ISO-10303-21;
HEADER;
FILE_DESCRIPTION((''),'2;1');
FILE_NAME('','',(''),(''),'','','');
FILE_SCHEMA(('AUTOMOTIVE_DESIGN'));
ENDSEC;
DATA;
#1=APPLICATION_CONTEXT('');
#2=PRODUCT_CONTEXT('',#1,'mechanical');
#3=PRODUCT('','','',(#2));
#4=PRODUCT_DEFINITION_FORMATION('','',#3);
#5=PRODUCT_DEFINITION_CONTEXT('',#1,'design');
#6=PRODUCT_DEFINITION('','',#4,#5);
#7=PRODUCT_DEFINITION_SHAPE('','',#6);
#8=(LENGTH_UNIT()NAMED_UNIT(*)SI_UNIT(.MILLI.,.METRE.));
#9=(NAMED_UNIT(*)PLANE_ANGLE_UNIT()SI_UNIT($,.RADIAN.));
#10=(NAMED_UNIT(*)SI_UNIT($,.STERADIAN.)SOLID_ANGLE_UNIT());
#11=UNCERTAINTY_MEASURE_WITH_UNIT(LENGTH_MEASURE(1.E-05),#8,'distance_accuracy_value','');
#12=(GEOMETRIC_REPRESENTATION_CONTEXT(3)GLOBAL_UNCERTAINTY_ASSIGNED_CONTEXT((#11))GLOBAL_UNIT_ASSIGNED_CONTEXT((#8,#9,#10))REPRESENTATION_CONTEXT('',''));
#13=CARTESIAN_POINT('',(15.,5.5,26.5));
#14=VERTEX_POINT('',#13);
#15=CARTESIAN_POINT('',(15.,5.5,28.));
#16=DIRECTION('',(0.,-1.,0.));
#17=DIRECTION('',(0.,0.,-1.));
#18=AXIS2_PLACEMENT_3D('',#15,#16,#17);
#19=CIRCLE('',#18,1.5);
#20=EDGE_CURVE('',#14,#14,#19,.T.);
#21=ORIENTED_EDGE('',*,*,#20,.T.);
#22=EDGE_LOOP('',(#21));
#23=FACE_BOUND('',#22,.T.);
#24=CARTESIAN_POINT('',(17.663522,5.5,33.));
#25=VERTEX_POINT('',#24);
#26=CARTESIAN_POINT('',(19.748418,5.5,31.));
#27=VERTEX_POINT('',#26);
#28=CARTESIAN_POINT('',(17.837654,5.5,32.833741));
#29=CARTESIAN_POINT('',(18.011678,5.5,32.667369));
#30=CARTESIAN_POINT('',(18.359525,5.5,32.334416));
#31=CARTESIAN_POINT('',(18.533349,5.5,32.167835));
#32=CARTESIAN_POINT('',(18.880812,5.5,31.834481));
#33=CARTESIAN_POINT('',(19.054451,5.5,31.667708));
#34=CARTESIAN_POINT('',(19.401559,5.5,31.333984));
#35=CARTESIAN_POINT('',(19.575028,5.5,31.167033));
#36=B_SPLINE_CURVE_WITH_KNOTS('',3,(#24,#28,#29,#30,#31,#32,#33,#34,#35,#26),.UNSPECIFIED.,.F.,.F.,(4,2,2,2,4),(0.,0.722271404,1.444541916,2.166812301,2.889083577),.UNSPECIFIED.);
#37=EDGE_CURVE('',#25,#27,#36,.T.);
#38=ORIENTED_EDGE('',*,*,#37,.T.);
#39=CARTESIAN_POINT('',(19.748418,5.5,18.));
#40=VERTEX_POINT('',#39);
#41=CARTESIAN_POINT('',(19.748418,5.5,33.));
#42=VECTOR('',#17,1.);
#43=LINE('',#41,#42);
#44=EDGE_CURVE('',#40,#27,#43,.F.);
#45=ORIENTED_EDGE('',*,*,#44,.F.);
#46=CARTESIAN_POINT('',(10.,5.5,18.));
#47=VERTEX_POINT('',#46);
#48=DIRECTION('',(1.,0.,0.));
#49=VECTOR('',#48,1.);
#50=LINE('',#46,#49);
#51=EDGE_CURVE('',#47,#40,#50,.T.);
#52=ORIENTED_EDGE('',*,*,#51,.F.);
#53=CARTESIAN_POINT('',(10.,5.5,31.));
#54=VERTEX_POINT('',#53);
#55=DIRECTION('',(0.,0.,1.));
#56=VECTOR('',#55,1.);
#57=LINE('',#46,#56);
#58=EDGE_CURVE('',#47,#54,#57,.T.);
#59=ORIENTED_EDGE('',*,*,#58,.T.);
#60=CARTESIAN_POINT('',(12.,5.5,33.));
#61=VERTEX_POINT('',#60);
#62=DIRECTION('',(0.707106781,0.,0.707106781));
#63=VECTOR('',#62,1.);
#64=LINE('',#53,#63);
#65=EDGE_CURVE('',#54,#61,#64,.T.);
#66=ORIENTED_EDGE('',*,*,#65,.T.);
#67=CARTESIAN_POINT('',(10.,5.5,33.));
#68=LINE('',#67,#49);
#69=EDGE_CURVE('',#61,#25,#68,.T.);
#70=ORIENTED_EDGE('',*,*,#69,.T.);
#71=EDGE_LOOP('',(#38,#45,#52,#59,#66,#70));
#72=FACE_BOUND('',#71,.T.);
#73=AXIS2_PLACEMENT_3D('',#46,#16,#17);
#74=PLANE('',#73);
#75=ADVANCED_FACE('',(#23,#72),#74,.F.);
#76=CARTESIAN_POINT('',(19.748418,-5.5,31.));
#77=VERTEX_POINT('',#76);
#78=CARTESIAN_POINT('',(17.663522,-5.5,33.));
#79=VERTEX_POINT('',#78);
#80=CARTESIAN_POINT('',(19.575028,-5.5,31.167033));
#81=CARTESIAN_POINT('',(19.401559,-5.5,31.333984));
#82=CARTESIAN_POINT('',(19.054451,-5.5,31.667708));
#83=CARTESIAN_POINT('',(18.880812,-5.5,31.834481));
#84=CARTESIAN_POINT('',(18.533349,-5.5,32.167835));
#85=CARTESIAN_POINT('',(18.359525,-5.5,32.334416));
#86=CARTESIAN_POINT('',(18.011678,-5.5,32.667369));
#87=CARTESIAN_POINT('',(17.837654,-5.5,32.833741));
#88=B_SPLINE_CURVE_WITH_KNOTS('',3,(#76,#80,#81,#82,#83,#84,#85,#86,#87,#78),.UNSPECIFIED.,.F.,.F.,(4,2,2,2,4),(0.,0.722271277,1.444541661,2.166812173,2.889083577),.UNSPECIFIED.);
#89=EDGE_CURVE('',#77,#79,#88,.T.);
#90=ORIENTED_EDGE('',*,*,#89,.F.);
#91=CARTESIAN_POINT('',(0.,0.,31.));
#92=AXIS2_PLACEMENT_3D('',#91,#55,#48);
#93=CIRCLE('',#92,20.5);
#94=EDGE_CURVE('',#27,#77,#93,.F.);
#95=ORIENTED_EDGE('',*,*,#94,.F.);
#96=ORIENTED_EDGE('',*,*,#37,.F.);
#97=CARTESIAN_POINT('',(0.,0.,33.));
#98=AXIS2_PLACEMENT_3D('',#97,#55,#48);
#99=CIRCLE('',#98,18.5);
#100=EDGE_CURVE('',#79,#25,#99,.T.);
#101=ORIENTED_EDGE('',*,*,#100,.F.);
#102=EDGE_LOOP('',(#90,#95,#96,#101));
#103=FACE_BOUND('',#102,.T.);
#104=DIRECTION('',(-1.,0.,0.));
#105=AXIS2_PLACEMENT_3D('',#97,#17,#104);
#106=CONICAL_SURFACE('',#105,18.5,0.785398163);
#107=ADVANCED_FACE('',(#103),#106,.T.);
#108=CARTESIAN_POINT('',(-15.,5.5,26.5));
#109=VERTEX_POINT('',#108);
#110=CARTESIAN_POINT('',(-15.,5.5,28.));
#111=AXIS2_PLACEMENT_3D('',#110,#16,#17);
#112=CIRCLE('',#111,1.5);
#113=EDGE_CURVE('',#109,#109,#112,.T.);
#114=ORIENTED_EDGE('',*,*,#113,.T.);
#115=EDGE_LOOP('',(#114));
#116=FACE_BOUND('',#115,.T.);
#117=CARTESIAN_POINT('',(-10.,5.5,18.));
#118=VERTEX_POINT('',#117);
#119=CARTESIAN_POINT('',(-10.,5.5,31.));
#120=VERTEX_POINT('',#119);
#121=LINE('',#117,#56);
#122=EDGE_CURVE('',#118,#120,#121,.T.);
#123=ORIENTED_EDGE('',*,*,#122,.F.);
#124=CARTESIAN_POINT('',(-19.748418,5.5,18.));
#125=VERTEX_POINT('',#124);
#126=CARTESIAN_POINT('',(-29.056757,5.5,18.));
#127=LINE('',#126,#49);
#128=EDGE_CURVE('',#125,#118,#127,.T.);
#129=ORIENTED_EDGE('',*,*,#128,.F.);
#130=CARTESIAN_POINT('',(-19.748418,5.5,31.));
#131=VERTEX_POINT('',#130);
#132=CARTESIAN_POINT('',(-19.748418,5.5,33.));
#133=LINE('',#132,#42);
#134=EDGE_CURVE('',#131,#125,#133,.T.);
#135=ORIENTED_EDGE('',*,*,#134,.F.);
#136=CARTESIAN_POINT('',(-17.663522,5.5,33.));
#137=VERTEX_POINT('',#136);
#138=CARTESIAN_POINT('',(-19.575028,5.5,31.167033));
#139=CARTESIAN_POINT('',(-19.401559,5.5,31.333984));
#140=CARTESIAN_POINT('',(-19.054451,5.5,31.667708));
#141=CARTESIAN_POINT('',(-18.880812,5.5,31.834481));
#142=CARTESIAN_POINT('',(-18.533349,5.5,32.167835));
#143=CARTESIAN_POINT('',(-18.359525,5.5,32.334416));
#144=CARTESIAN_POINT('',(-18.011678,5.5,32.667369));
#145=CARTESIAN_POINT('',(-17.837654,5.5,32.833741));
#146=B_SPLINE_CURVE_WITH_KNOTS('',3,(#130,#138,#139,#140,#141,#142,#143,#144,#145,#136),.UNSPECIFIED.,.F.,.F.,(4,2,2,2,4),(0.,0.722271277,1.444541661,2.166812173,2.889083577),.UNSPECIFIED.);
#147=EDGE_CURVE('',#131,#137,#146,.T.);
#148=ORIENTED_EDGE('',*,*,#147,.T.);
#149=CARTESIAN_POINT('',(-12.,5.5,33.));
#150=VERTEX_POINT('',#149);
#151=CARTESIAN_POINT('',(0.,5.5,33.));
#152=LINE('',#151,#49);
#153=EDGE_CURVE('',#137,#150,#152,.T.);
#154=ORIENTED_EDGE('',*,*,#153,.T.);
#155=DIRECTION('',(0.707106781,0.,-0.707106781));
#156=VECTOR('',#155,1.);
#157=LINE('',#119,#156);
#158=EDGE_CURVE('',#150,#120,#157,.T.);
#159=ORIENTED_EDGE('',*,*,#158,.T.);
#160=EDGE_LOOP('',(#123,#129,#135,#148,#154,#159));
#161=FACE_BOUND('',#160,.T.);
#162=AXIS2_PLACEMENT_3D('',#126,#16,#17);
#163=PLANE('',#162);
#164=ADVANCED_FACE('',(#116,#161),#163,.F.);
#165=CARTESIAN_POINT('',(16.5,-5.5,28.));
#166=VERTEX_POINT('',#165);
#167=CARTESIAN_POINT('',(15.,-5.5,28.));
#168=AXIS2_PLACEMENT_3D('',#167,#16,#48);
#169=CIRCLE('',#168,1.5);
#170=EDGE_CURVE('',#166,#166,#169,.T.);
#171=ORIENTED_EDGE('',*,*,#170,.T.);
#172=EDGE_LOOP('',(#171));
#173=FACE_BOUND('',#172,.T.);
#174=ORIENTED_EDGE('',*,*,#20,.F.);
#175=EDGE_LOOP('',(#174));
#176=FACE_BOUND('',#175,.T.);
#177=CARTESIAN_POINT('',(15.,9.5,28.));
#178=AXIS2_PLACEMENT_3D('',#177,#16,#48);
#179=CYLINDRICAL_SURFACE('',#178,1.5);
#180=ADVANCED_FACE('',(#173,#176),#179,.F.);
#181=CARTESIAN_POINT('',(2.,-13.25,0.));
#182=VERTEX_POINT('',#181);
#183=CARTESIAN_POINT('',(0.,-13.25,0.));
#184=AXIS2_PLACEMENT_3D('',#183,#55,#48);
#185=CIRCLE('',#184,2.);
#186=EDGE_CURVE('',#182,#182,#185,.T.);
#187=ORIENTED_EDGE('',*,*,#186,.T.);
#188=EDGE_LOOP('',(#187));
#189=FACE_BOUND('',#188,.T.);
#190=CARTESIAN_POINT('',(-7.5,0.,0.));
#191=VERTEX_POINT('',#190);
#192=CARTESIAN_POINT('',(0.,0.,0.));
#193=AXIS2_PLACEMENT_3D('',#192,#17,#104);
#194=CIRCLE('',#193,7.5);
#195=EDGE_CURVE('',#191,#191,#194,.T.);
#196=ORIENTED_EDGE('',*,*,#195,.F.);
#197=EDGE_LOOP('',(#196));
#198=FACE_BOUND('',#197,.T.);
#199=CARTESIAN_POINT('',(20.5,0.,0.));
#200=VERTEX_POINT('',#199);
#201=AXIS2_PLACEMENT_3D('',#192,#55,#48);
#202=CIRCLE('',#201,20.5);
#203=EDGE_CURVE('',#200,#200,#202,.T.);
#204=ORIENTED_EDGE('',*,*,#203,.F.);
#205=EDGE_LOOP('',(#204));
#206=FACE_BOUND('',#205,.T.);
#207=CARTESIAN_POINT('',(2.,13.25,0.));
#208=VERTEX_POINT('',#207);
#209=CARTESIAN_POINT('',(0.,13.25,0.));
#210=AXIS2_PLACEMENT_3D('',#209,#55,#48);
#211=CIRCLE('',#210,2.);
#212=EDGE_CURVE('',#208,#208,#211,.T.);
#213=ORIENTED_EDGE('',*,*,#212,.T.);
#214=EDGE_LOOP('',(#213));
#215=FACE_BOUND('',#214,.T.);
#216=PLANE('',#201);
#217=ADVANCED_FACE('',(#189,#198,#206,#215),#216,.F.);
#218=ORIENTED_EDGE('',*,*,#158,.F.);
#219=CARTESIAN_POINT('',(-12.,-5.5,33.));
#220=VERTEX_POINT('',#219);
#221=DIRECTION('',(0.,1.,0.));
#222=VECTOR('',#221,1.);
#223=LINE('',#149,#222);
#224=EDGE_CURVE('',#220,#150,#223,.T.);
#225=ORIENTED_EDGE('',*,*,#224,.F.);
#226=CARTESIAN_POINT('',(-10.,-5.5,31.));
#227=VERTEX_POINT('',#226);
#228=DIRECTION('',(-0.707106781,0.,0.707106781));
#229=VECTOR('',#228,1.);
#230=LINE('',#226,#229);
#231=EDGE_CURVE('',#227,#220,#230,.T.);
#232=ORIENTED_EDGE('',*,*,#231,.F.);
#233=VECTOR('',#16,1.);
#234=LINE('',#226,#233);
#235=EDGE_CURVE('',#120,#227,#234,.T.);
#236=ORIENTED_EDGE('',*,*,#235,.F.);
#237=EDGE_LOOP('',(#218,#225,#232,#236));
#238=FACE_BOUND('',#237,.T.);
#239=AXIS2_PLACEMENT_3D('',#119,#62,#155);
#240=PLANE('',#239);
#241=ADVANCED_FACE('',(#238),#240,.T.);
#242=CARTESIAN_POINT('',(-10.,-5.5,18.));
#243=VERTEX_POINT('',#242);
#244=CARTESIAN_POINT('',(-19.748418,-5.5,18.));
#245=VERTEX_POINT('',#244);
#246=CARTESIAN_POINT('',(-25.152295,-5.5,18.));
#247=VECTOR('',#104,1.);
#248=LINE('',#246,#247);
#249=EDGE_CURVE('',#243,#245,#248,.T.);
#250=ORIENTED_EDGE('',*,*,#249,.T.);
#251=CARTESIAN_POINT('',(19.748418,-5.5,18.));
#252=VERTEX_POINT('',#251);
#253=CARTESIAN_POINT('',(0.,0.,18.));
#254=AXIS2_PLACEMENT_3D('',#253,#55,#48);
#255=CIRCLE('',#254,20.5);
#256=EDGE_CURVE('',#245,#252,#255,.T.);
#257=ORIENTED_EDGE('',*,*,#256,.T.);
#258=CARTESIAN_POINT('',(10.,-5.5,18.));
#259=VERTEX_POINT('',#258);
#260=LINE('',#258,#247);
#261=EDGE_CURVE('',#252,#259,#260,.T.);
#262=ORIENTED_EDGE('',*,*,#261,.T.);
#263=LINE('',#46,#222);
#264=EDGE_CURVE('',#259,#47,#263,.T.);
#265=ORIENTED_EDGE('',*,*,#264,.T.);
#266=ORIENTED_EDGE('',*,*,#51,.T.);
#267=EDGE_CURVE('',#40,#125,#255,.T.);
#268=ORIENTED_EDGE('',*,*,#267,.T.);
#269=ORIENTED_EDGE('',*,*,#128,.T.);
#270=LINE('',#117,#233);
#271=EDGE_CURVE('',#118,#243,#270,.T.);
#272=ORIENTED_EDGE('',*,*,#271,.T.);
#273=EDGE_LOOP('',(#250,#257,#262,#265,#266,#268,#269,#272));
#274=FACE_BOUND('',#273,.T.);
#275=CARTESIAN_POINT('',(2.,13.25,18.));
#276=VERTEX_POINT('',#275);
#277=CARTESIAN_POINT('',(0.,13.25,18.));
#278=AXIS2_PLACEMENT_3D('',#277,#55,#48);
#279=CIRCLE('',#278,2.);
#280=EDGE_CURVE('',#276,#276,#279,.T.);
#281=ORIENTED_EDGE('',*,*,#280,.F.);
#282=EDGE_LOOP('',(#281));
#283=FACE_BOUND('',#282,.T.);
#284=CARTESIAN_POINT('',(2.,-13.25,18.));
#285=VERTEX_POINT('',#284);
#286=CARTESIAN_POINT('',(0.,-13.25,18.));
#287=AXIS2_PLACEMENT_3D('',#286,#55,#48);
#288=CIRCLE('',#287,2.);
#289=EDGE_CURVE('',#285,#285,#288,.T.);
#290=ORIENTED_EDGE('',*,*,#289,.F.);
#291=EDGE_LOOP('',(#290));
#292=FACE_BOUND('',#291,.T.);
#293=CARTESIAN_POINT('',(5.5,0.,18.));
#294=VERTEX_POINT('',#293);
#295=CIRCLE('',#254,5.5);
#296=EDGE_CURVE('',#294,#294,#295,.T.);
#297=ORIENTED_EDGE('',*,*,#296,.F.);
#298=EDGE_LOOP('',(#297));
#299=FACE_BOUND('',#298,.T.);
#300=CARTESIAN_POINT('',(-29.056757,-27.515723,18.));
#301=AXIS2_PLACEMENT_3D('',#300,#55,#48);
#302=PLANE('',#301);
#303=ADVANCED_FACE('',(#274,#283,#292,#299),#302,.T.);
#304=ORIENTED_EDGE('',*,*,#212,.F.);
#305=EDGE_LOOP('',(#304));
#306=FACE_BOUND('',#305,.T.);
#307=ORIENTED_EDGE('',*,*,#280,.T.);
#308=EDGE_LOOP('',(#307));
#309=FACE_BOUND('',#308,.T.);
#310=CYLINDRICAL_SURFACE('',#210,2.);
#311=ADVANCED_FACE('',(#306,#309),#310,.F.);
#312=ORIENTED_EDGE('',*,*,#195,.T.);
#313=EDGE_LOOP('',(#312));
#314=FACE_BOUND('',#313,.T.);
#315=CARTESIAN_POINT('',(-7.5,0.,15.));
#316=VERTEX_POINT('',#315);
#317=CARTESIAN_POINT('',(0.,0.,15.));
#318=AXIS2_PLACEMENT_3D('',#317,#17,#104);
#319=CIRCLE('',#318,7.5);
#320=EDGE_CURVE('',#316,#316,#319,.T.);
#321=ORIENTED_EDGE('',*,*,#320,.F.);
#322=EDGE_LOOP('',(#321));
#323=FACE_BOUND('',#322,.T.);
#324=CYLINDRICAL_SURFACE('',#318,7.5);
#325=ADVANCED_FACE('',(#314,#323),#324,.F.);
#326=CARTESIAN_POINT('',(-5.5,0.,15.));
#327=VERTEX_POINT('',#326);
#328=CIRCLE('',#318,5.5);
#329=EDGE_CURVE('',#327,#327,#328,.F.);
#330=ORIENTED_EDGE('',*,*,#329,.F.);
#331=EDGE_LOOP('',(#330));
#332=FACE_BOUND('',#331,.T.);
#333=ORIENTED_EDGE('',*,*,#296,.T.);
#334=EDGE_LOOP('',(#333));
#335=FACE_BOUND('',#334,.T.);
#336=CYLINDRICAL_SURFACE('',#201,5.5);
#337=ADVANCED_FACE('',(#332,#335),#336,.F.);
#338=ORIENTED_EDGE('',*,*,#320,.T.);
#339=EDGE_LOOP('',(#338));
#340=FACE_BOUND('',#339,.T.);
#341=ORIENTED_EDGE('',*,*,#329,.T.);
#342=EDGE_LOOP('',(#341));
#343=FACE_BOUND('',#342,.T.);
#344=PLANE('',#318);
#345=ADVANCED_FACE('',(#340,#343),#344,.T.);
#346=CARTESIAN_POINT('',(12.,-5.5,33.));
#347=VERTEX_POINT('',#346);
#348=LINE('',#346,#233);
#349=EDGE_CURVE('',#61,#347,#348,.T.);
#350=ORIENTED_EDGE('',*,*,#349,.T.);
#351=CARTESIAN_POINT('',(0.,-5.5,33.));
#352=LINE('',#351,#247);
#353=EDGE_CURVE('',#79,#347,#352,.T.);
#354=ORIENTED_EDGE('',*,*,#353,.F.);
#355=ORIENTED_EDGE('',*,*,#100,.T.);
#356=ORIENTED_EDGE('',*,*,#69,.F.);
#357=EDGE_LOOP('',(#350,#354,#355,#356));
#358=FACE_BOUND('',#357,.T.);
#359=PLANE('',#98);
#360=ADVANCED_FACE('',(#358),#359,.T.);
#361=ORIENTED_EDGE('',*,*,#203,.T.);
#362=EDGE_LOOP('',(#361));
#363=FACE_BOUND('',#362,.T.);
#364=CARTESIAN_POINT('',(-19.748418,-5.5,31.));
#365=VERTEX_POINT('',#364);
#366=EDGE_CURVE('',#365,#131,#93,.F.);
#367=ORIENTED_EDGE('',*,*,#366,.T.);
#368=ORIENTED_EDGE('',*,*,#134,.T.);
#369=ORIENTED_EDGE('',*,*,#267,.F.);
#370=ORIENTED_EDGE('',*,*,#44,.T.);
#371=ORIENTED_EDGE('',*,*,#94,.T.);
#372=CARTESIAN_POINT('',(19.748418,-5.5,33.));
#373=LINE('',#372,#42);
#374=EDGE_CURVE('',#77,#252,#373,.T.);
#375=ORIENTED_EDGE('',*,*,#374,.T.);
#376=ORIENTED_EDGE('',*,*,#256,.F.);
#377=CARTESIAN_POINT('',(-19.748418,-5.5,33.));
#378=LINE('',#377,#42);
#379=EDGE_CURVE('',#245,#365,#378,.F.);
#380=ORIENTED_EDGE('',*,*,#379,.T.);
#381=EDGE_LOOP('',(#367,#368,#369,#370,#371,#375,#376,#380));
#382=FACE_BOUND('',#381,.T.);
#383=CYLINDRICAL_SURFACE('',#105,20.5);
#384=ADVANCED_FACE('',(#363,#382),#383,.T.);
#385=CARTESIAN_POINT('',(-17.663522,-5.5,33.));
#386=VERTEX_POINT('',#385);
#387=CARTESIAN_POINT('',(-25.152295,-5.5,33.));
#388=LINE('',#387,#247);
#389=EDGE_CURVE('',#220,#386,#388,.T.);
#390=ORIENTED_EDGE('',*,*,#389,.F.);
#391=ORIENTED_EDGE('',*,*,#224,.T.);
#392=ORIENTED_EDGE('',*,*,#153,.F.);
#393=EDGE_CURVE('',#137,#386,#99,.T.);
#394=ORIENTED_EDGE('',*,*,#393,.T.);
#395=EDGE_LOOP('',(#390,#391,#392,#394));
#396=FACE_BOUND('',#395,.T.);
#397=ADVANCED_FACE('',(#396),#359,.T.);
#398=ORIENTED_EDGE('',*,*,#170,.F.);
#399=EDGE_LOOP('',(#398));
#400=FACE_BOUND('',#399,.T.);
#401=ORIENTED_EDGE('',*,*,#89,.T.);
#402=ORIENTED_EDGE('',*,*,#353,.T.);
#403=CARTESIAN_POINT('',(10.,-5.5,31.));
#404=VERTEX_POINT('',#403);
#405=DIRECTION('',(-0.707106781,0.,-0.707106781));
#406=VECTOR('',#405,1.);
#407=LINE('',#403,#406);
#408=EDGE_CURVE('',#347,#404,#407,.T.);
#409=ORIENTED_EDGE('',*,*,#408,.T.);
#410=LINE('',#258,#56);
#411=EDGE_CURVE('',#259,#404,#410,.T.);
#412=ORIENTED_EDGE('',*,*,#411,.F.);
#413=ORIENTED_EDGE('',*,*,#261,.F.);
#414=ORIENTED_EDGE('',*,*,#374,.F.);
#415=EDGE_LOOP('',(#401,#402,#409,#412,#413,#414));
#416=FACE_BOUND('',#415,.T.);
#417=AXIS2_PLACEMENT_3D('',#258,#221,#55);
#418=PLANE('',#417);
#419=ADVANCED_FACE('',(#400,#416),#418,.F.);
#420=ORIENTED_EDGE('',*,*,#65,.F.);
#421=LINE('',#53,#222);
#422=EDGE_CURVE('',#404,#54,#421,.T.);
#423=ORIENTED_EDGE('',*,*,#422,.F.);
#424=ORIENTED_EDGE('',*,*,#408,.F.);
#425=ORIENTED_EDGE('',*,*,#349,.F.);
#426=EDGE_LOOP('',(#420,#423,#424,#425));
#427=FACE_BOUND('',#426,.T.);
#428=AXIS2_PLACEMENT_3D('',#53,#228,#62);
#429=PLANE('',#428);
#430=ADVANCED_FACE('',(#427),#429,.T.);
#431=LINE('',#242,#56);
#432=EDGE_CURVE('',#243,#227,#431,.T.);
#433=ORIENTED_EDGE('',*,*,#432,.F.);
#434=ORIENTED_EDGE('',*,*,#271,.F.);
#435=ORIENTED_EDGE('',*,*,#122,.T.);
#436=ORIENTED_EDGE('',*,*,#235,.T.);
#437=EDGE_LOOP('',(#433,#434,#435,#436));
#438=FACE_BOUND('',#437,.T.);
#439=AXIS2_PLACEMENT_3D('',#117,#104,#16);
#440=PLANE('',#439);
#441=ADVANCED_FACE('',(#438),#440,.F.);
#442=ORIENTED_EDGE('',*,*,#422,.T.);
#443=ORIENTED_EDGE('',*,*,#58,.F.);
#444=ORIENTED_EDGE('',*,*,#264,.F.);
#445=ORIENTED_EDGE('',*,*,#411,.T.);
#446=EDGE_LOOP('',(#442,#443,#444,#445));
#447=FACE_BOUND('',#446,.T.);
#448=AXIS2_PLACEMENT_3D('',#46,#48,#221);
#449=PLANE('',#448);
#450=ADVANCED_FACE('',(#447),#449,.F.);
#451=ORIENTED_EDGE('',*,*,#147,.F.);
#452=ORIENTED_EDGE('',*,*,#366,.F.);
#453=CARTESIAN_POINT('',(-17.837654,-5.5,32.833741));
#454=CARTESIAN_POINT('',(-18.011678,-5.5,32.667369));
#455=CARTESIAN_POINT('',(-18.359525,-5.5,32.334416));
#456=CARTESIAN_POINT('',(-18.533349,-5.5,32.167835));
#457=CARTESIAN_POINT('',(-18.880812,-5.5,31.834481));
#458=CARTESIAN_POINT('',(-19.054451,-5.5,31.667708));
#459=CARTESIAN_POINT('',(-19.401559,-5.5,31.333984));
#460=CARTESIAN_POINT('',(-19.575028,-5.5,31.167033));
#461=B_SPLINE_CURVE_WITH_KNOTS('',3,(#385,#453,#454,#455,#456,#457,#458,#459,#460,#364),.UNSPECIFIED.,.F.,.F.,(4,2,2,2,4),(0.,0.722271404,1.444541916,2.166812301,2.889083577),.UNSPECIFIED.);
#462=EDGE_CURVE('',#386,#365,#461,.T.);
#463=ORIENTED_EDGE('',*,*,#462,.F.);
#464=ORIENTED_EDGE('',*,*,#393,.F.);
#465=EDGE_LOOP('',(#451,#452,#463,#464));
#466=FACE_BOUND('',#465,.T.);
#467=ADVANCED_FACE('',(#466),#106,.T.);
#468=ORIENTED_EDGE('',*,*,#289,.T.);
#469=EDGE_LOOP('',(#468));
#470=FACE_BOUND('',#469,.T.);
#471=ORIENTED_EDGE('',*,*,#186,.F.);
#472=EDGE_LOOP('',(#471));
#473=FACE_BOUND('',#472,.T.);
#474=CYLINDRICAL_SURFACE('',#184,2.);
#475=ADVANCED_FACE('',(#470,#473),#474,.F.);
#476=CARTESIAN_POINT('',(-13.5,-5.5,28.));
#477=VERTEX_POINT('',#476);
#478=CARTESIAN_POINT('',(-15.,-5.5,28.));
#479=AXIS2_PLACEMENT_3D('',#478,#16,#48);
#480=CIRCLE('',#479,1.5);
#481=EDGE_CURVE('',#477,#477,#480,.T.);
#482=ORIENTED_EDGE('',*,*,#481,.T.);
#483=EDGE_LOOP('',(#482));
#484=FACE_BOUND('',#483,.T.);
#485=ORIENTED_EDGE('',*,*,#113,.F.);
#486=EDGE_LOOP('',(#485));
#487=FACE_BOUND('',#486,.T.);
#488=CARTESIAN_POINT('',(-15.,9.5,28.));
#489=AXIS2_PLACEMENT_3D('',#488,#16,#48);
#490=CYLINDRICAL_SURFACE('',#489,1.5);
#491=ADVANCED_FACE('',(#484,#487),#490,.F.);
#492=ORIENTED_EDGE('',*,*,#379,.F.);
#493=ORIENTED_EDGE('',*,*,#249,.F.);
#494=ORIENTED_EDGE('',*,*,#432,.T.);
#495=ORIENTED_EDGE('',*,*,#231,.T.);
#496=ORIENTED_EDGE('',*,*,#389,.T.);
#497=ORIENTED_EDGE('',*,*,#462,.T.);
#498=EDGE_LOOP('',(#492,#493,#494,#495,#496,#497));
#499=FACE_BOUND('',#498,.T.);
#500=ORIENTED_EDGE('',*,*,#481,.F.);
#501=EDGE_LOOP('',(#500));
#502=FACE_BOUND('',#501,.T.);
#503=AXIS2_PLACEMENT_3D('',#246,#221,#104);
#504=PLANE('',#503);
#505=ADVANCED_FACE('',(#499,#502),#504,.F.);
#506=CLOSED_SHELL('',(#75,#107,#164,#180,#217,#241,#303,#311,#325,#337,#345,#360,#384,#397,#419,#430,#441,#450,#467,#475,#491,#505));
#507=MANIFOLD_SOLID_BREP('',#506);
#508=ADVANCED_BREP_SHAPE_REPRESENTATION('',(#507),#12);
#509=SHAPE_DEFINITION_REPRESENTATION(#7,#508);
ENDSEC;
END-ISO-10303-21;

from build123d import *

# Parameters (mm, degrees)
SKETCH_1_R          = 20.5
EXTRUDE_1_DEPTH     = 33
CUT_EXTRUDE_1_DEPTH = 15
SKETCH_3_R          = 5
SKETCH_3_R_2        = 2
CUT_EXTRUDE_2_DEPTH = 35.124771062
CHAMFER_1_SIZE      = 2
SKETCH_4_R          = 1.5
CUT_EXTRUDE_3_DEPTH = 15
SKETCH_6_R          = 5.5
CUT_EXTRUDE_4_DEPTH = 35.124771062
SKETCH_9_R          = 7.5
CUT_EXTRUDE_7_DEPTH = 15


with BuildPart() as part:
    # Эскиз1 → Вытянуть1 (new body)
    with BuildSketch(Plane.XY):
        Circle(SKETCH_1_R)
    extrude(amount=EXTRUDE_1_DEPTH)

    # Эскиз2 → Вырез-Вытянуть1 (cut)
    with BuildSketch(Plane.XY.offset(33)):
        Polygon((10, 5.5), (24.402362137, 5.5), (24.402362137, 27.166317261), (-29.05675736, 27.166317261), (-29.05675736, 5.5), (-10, 5.5), (-10, -5.5), (-25.152295152, -5.5), (-25.152295152, -27.51572327), (25.537931669, -27.51572327), (25.537931669, -5.5), (10, -5.5), align=None)
    extrude(amount=-CUT_EXTRUDE_1_DEPTH, mode=Mode.SUBTRACT)

    # Эскиз3 → Вырез-Вытянуть2 (cut, through all)
    with BuildSketch(Plane.XY.offset(18)):
        Circle(SKETCH_3_R)
        with Locations((0, 13.25)):
            Circle(SKETCH_3_R_2)
        with Locations((0, -13.25)):
            Circle(SKETCH_3_R_2)
    extrude(amount=-CUT_EXTRUDE_2_DEPTH, mode=Mode.SUBTRACT)

    # Фаска1
    chamfer_1_edges = [part.edges().sort_by_distance(p)[0] for p in [
        (-10, 0, 33),
        (10, 0, 33),
        (-20.5, 0, 33),
        (20.311235339, -2.775557422, 33),
    ]]
    chamfer(chamfer_1_edges, length=CHAMFER_1_SIZE)

    # Эскиз4 → Вырез-Вытянуть3 (cut)
    with BuildSketch(Plane.XZ.offset(5.5)):
        with Locations((-15, 28)):
            Circle(SKETCH_4_R)
        with Locations((15, 28)):
            Circle(SKETCH_4_R)
    extrude(amount=-CUT_EXTRUDE_3_DEPTH, mode=Mode.SUBTRACT)

    # Эскиз6 → Вырез-Вытянуть4 (cut, through all)
    with BuildSketch(Plane.XY.offset(18)):
        Circle(SKETCH_6_R)
    extrude(amount=-CUT_EXTRUDE_4_DEPTH, mode=Mode.SUBTRACT)

    # Эскиз9 → Вырез-Вытянуть7 (cut)
    with BuildSketch(Plane(origin=(0, 0, 0), x_dir=(-1, 0, 0), z_dir=(0, 0, -1))):
        Circle(SKETCH_9_R)
    extrude(amount=-CUT_EXTRUDE_7_DEPTH, mode=Mode.SUBTRACT)


solid = part.part
